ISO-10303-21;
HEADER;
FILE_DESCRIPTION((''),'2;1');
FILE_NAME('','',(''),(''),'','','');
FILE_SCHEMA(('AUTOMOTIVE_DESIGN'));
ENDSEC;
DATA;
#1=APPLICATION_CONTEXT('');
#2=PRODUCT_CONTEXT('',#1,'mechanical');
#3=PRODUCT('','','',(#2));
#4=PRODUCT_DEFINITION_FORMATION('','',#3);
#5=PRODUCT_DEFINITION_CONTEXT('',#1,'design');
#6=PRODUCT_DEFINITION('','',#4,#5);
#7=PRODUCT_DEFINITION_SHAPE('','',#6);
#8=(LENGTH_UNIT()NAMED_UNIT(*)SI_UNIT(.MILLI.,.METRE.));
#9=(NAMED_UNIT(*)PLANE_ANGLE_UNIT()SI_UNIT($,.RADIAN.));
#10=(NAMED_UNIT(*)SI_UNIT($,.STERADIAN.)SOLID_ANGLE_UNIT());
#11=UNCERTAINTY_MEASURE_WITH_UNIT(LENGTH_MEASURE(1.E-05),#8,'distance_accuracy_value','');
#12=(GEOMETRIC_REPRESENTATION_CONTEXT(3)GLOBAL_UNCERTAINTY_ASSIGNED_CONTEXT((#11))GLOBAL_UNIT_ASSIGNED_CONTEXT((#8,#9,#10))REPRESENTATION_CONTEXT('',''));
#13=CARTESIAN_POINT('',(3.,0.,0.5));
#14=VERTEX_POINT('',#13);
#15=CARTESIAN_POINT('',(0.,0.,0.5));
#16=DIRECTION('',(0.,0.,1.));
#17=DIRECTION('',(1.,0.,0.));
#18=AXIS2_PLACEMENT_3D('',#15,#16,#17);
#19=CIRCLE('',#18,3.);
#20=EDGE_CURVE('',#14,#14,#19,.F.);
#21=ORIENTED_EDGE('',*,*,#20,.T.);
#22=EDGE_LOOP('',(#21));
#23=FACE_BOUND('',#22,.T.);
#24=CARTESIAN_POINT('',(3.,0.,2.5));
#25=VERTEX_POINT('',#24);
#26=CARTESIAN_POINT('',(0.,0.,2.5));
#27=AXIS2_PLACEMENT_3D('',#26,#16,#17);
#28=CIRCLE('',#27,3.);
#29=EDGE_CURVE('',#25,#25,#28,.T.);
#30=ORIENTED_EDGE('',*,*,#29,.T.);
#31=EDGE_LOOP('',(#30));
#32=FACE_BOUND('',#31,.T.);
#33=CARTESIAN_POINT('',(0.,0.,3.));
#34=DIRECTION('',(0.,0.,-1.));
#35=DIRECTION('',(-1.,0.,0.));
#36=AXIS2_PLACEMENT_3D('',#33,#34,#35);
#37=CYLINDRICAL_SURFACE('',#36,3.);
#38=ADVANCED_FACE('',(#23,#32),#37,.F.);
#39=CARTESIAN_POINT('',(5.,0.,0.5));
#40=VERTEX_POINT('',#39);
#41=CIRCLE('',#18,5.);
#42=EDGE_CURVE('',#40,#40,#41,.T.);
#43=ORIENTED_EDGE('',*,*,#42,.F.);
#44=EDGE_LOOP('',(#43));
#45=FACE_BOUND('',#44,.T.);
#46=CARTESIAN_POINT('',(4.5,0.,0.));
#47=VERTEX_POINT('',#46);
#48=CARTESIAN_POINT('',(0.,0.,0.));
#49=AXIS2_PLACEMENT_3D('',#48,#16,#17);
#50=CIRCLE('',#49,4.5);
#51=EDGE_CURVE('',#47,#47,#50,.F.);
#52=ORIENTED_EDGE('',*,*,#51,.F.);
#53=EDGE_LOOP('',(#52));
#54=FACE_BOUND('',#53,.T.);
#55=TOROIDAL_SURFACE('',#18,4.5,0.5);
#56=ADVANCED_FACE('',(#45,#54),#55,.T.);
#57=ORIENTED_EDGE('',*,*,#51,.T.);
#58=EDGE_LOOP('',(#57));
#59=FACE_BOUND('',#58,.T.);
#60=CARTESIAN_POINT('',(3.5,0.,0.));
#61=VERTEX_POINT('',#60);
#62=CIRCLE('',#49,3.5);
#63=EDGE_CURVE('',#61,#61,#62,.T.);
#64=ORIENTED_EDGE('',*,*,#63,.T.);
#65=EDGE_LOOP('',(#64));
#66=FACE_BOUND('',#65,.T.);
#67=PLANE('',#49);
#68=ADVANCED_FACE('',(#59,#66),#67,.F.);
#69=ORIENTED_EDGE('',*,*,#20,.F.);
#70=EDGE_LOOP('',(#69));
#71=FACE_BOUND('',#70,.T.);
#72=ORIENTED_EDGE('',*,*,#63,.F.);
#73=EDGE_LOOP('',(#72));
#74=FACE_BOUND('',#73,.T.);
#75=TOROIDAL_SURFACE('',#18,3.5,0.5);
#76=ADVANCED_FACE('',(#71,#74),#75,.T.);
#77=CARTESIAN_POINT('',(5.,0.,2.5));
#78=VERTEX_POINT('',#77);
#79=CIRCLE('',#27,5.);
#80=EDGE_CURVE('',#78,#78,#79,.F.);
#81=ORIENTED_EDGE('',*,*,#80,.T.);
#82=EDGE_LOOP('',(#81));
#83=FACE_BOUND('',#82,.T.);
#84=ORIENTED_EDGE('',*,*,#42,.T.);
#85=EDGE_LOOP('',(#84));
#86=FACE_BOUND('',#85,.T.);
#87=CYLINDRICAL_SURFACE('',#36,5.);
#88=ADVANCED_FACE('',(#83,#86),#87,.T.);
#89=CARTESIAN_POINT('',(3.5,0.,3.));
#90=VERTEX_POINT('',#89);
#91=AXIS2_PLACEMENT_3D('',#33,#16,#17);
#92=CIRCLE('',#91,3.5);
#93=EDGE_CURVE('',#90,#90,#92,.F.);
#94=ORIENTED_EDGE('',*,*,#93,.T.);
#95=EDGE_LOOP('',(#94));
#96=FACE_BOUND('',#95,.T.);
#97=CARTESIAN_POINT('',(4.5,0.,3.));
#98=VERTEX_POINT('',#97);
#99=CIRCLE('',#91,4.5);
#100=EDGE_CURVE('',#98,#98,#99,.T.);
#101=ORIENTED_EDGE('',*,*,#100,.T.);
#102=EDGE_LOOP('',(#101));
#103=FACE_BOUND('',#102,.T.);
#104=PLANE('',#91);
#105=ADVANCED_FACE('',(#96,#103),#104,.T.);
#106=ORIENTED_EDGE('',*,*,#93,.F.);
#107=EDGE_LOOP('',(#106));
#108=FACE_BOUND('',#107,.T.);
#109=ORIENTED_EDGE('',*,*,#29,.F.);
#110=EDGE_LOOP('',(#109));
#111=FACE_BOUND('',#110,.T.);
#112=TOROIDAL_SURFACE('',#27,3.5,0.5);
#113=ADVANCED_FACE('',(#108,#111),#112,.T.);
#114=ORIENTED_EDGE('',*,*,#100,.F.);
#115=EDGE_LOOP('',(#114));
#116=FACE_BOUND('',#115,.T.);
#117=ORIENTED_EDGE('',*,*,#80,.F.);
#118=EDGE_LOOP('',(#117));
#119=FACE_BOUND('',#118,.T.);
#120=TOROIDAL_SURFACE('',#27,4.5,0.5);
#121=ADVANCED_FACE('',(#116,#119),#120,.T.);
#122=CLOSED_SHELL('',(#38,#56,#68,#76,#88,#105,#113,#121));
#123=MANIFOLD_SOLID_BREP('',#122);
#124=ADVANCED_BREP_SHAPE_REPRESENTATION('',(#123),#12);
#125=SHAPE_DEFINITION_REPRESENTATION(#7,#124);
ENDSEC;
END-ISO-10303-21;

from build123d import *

# Parameters (mm, degrees)
SKETCH_1_R      = 5
SKETCH_1_R_2    = 3
EXTRUDE_1_DEPTH = 3
FILLET_1_R      = 0.5


with BuildPart() as part:
    # 草图1 → 凸台-拉伸1 (new body)
    with BuildSketch(Plane.XY):
        Circle(SKETCH_1_R)
        Circle(SKETCH_1_R_2, mode=Mode.SUBTRACT)
    extrude(amount=EXTRUDE_1_DEPTH)

    # 圆角1
    fillet_1_edges = [part.edges().sort_by_distance(p)[0] for p in [
        (-5, 0, 0),
        (-5, 0, 3),
        (-3, 0, 0),
        (-3, 0, 3),
    ]]
    fillet(fillet_1_edges, radius=FILLET_1_R)


solid = part.part
